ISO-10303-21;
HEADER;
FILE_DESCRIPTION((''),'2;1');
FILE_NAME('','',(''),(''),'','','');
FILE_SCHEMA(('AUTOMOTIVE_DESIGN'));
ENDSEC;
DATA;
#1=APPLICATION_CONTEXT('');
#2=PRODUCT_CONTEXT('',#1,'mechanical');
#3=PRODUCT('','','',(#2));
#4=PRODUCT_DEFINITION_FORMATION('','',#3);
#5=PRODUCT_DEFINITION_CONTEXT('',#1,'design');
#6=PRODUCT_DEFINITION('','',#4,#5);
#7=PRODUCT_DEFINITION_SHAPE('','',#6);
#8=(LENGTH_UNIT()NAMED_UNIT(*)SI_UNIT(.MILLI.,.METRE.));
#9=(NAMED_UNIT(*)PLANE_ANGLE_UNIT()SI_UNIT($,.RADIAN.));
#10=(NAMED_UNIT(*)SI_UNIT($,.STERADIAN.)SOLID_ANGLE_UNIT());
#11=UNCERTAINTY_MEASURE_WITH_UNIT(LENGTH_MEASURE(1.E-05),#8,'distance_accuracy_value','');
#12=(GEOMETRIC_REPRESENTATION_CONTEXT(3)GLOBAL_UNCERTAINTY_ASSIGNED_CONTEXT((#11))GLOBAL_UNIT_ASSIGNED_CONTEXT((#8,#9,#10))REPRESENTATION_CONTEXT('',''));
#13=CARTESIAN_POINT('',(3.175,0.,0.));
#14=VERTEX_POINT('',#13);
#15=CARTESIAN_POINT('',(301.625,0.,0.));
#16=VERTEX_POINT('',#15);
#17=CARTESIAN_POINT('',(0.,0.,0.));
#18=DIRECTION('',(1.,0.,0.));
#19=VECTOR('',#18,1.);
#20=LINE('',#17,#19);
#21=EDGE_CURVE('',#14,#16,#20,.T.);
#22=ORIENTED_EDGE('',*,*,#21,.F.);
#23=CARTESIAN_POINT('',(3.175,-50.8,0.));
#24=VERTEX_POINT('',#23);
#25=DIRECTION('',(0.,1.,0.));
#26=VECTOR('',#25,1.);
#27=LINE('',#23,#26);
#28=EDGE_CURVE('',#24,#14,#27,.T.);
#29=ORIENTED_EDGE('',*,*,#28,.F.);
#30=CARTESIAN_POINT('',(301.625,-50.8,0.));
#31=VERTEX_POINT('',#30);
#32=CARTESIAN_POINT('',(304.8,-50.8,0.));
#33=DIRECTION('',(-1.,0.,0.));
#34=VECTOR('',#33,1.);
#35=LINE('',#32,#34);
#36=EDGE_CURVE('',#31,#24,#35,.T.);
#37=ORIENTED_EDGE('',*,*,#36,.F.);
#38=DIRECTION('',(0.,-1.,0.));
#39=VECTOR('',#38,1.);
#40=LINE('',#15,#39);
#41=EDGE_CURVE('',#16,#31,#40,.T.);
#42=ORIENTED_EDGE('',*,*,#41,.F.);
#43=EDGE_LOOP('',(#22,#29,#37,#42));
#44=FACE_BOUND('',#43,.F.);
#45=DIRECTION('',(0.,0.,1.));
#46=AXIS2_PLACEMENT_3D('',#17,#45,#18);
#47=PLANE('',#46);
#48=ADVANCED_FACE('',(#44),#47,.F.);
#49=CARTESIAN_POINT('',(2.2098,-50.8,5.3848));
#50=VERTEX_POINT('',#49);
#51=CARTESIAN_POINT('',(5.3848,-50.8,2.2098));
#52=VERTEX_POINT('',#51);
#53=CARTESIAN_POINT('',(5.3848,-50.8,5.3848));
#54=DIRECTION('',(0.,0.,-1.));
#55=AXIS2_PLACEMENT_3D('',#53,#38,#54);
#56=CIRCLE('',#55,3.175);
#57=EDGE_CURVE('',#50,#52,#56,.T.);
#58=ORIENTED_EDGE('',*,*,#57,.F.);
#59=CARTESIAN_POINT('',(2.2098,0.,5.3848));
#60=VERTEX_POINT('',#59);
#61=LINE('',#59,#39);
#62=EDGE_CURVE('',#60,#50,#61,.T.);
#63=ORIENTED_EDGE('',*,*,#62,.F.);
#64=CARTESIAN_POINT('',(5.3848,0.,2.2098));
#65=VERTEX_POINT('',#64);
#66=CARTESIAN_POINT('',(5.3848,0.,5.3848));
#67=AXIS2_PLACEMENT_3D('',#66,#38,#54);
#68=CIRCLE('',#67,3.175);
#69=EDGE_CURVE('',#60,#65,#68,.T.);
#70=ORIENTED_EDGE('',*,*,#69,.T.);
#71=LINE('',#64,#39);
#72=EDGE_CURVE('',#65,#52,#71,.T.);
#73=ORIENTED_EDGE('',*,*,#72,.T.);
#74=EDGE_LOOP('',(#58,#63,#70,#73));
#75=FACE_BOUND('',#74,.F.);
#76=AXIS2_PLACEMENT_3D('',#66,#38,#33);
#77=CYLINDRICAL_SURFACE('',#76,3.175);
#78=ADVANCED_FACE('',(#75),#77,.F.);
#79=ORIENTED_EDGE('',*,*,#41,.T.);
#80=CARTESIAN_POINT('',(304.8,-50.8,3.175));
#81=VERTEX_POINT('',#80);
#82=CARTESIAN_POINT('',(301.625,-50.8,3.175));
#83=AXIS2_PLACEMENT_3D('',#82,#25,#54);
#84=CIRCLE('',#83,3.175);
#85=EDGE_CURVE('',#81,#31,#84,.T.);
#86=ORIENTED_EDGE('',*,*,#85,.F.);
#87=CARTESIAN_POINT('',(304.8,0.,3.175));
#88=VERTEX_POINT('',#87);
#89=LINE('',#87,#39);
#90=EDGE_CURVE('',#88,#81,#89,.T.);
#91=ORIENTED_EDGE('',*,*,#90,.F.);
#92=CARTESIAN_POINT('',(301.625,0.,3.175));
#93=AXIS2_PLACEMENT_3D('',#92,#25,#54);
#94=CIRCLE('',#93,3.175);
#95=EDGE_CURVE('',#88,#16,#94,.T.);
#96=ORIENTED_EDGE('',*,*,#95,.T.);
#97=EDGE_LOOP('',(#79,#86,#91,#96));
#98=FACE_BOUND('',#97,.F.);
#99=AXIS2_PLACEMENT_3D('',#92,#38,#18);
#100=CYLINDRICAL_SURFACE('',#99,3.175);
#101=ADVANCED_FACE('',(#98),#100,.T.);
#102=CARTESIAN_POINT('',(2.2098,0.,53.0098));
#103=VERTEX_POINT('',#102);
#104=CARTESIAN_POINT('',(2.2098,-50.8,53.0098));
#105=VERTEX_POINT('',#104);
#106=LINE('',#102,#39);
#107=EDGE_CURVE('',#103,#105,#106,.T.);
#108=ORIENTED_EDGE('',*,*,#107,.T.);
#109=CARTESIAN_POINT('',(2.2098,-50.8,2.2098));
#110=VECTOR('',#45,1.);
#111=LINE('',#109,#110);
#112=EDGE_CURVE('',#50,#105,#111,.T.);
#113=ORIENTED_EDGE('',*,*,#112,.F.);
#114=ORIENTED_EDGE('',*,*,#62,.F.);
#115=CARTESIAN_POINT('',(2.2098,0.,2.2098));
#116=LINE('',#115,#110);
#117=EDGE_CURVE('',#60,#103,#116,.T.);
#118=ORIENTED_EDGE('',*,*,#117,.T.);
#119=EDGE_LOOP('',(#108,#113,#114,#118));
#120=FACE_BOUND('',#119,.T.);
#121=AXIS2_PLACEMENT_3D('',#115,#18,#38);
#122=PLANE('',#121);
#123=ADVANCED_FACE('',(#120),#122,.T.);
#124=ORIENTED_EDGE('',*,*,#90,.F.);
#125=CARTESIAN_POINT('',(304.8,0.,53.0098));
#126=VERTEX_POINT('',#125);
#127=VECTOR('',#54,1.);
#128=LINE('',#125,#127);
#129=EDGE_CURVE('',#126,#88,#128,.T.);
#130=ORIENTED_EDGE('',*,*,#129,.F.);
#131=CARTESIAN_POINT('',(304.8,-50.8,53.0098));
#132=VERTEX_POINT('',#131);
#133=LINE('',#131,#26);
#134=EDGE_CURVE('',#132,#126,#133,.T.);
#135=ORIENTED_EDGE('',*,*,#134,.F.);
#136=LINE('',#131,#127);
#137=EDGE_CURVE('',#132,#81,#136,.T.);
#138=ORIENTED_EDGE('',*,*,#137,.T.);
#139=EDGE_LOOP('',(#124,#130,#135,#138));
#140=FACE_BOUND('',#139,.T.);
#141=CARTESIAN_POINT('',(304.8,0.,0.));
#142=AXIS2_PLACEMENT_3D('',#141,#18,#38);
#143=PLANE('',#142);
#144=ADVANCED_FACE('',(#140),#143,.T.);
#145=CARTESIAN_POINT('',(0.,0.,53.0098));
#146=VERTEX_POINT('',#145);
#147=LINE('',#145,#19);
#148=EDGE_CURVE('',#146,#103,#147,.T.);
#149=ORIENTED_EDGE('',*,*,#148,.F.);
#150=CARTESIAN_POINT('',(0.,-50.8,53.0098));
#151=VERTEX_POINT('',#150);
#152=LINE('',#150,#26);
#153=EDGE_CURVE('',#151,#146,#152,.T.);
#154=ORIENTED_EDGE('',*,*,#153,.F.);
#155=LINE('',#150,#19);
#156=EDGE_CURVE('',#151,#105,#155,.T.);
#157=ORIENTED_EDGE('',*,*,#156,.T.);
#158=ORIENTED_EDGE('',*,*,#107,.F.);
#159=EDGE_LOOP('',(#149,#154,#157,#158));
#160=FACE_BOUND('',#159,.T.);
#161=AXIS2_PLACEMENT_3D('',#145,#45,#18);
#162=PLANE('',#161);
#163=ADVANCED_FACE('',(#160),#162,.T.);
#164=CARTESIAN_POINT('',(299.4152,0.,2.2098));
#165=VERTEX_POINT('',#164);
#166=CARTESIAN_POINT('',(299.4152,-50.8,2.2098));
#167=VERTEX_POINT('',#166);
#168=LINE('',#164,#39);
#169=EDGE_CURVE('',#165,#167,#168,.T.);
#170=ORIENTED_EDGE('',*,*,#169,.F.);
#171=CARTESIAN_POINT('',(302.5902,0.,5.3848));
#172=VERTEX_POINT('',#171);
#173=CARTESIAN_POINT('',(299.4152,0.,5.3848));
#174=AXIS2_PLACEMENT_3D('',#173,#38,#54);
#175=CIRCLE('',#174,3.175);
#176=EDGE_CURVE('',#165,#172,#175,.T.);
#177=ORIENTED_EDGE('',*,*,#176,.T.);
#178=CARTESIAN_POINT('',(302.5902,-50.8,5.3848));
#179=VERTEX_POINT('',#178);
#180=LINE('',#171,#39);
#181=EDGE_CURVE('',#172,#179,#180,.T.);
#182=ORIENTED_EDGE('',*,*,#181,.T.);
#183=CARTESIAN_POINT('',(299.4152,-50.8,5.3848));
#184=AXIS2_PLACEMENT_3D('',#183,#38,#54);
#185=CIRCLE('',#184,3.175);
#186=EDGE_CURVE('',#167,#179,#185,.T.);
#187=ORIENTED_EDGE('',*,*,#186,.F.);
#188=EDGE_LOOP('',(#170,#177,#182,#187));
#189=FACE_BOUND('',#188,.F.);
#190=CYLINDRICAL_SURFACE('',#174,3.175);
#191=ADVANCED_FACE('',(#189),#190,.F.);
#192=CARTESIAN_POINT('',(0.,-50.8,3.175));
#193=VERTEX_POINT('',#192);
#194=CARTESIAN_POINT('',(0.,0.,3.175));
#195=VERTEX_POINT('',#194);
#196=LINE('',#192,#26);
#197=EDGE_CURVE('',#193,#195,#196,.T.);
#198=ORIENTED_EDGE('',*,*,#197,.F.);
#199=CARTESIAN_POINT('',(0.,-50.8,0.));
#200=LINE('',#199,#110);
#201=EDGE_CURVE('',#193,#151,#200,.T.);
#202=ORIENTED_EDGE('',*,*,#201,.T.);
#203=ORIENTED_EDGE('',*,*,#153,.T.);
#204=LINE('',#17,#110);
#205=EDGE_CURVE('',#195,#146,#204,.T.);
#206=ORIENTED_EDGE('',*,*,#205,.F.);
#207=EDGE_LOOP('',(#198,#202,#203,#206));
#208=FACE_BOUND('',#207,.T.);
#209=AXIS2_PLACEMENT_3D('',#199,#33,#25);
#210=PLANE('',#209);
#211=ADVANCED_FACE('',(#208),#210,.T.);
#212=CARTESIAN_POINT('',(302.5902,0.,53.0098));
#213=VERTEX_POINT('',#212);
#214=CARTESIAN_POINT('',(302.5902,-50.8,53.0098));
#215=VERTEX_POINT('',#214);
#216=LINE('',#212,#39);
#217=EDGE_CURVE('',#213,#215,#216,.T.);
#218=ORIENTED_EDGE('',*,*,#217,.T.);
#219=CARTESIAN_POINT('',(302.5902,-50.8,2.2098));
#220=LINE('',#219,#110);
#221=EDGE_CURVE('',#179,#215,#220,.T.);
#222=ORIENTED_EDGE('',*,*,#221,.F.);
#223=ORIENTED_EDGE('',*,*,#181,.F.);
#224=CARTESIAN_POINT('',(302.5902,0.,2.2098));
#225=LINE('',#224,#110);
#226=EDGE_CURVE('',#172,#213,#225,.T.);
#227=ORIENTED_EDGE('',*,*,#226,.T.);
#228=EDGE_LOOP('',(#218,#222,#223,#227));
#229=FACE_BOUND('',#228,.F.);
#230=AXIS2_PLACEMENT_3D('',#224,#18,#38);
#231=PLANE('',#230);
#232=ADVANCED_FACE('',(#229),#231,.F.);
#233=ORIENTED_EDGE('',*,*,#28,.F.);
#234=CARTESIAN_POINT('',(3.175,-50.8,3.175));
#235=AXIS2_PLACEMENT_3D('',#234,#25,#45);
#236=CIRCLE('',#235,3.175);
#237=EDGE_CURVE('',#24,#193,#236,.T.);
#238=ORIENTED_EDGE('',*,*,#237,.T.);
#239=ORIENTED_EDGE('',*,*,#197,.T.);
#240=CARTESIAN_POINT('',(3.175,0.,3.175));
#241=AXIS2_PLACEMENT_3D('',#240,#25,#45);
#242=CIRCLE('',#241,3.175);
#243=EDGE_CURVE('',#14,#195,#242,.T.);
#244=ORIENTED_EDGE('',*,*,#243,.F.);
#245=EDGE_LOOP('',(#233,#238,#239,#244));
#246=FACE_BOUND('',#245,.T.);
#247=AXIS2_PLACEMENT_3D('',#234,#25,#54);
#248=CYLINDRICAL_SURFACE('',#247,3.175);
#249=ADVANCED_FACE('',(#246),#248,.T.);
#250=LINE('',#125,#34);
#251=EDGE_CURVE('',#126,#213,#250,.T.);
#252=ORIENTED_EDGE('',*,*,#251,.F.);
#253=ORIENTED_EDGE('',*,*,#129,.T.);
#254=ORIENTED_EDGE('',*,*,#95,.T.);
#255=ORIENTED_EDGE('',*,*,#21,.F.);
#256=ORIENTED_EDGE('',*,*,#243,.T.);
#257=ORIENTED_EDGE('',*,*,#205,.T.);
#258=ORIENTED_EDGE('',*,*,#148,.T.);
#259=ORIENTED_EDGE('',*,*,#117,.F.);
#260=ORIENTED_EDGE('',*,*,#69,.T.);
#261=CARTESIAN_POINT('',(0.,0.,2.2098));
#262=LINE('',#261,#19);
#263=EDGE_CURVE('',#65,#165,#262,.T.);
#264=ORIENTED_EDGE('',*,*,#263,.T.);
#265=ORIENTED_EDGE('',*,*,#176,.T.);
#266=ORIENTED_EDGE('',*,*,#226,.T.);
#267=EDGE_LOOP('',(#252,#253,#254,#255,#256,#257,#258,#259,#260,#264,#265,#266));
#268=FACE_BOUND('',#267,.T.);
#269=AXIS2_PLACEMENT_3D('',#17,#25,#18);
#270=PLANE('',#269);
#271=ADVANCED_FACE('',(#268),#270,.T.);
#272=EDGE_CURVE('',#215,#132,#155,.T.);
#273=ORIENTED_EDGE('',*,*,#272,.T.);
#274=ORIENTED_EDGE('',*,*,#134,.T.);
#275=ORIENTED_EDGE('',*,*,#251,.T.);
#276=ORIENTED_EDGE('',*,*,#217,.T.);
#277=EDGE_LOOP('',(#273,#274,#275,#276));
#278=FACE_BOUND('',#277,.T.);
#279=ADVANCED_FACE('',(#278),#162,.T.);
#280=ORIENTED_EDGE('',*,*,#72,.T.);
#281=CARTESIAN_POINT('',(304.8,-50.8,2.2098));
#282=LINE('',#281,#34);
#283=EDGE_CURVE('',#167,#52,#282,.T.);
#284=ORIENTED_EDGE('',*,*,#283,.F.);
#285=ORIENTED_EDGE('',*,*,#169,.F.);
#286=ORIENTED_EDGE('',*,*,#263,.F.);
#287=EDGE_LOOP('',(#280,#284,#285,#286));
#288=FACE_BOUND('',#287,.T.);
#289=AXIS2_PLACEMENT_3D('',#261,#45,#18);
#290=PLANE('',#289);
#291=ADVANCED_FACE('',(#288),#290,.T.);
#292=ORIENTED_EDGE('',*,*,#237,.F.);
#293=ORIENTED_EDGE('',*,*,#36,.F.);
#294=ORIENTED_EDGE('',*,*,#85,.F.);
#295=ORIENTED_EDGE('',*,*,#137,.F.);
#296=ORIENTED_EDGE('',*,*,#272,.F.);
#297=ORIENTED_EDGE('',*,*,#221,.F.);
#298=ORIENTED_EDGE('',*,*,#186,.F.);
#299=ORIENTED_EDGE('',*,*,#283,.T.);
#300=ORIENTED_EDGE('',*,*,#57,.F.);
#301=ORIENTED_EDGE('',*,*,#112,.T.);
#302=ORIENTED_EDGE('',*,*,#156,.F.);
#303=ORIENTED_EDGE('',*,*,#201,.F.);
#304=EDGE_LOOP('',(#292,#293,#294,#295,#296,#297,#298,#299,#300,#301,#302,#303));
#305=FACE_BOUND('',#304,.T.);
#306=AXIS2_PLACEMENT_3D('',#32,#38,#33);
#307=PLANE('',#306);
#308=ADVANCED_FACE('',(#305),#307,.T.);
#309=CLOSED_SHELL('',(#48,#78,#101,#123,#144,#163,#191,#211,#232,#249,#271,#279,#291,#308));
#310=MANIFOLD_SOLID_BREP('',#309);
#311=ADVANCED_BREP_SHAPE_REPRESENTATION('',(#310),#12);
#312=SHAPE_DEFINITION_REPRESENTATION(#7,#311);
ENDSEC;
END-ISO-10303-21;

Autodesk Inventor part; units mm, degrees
ref_plane "YZ Plane" through (0, 0, 0) normal (1, 0, 0) x (0, 1, 0)
ref_plane "XZ Plane" through (0, 0, 0) normal (0, 1, 0) x (-1, 0, 0)
ref_plane "XY Plane" through (0, 0, 0) normal (0, 0, 1) x (1, 0, 0)
sketch "Sketch1" plane through (0, 0, 0) normal (0, 0, 1) x (1, 0, 0)
  line L0 (0, 0) -> (304.8, 0)
  line L1 (304.8, 0) -> (304.8, -50.8)
  line L2 (304.8, -50.8) -> (0, -50.8)
  line L3 (0, -50.8) -> (0, 0)
  dimension "d0" = 304.8
  dimension "d1" = 50.8
extrude "Extrusion1" add sketch "Sketch1" along normal blind 2.2098
sketch "Sketch2" plane through (0, 0, 2.2098) normal (0, 0, 1) x (1, 0, 0)
  line L0 (0, -50.8) -> (304.8, -50.8) projected
  line L1 (0, 0) -> (2.2098, 0)
  line L2 (2.2098, 0) -> (2.2098, -50.8)
  line L3 (2.2098, -50.8) -> (0, -50.8)
  line L4 (0, -50.8) -> (0, 0)
  line L5 (304.8, 0) -> (302.5902, 0)
  line L6 (302.5902, 0) -> (302.5902, -50.8)
  line L7 (302.5902, -50.8) -> (304.8, -50.8)
  line L8 (304.8, -50.8) -> (304.8, 0)
  dimension "d4" = 2.2098
  dimension "d5" = 2.2098
extrude "Extrusion2" add sketch "Sketch2" along normal blind 50.8
fillet "Fillet1" radius 3.175 1 edges at (304.8, -25.4, 0)
fillet "Fillet2" radius 3.175 1 edges at (0, -25.4, 0)
fillet "Fillet3" radius 3.175 1 edges at (2.2098, -25.4, 2.2098)
fillet "Fillet4" radius 3.175 1 edges at (302.5902, -25.4, 2.2098)
properties part number "Conveyor Brace"
